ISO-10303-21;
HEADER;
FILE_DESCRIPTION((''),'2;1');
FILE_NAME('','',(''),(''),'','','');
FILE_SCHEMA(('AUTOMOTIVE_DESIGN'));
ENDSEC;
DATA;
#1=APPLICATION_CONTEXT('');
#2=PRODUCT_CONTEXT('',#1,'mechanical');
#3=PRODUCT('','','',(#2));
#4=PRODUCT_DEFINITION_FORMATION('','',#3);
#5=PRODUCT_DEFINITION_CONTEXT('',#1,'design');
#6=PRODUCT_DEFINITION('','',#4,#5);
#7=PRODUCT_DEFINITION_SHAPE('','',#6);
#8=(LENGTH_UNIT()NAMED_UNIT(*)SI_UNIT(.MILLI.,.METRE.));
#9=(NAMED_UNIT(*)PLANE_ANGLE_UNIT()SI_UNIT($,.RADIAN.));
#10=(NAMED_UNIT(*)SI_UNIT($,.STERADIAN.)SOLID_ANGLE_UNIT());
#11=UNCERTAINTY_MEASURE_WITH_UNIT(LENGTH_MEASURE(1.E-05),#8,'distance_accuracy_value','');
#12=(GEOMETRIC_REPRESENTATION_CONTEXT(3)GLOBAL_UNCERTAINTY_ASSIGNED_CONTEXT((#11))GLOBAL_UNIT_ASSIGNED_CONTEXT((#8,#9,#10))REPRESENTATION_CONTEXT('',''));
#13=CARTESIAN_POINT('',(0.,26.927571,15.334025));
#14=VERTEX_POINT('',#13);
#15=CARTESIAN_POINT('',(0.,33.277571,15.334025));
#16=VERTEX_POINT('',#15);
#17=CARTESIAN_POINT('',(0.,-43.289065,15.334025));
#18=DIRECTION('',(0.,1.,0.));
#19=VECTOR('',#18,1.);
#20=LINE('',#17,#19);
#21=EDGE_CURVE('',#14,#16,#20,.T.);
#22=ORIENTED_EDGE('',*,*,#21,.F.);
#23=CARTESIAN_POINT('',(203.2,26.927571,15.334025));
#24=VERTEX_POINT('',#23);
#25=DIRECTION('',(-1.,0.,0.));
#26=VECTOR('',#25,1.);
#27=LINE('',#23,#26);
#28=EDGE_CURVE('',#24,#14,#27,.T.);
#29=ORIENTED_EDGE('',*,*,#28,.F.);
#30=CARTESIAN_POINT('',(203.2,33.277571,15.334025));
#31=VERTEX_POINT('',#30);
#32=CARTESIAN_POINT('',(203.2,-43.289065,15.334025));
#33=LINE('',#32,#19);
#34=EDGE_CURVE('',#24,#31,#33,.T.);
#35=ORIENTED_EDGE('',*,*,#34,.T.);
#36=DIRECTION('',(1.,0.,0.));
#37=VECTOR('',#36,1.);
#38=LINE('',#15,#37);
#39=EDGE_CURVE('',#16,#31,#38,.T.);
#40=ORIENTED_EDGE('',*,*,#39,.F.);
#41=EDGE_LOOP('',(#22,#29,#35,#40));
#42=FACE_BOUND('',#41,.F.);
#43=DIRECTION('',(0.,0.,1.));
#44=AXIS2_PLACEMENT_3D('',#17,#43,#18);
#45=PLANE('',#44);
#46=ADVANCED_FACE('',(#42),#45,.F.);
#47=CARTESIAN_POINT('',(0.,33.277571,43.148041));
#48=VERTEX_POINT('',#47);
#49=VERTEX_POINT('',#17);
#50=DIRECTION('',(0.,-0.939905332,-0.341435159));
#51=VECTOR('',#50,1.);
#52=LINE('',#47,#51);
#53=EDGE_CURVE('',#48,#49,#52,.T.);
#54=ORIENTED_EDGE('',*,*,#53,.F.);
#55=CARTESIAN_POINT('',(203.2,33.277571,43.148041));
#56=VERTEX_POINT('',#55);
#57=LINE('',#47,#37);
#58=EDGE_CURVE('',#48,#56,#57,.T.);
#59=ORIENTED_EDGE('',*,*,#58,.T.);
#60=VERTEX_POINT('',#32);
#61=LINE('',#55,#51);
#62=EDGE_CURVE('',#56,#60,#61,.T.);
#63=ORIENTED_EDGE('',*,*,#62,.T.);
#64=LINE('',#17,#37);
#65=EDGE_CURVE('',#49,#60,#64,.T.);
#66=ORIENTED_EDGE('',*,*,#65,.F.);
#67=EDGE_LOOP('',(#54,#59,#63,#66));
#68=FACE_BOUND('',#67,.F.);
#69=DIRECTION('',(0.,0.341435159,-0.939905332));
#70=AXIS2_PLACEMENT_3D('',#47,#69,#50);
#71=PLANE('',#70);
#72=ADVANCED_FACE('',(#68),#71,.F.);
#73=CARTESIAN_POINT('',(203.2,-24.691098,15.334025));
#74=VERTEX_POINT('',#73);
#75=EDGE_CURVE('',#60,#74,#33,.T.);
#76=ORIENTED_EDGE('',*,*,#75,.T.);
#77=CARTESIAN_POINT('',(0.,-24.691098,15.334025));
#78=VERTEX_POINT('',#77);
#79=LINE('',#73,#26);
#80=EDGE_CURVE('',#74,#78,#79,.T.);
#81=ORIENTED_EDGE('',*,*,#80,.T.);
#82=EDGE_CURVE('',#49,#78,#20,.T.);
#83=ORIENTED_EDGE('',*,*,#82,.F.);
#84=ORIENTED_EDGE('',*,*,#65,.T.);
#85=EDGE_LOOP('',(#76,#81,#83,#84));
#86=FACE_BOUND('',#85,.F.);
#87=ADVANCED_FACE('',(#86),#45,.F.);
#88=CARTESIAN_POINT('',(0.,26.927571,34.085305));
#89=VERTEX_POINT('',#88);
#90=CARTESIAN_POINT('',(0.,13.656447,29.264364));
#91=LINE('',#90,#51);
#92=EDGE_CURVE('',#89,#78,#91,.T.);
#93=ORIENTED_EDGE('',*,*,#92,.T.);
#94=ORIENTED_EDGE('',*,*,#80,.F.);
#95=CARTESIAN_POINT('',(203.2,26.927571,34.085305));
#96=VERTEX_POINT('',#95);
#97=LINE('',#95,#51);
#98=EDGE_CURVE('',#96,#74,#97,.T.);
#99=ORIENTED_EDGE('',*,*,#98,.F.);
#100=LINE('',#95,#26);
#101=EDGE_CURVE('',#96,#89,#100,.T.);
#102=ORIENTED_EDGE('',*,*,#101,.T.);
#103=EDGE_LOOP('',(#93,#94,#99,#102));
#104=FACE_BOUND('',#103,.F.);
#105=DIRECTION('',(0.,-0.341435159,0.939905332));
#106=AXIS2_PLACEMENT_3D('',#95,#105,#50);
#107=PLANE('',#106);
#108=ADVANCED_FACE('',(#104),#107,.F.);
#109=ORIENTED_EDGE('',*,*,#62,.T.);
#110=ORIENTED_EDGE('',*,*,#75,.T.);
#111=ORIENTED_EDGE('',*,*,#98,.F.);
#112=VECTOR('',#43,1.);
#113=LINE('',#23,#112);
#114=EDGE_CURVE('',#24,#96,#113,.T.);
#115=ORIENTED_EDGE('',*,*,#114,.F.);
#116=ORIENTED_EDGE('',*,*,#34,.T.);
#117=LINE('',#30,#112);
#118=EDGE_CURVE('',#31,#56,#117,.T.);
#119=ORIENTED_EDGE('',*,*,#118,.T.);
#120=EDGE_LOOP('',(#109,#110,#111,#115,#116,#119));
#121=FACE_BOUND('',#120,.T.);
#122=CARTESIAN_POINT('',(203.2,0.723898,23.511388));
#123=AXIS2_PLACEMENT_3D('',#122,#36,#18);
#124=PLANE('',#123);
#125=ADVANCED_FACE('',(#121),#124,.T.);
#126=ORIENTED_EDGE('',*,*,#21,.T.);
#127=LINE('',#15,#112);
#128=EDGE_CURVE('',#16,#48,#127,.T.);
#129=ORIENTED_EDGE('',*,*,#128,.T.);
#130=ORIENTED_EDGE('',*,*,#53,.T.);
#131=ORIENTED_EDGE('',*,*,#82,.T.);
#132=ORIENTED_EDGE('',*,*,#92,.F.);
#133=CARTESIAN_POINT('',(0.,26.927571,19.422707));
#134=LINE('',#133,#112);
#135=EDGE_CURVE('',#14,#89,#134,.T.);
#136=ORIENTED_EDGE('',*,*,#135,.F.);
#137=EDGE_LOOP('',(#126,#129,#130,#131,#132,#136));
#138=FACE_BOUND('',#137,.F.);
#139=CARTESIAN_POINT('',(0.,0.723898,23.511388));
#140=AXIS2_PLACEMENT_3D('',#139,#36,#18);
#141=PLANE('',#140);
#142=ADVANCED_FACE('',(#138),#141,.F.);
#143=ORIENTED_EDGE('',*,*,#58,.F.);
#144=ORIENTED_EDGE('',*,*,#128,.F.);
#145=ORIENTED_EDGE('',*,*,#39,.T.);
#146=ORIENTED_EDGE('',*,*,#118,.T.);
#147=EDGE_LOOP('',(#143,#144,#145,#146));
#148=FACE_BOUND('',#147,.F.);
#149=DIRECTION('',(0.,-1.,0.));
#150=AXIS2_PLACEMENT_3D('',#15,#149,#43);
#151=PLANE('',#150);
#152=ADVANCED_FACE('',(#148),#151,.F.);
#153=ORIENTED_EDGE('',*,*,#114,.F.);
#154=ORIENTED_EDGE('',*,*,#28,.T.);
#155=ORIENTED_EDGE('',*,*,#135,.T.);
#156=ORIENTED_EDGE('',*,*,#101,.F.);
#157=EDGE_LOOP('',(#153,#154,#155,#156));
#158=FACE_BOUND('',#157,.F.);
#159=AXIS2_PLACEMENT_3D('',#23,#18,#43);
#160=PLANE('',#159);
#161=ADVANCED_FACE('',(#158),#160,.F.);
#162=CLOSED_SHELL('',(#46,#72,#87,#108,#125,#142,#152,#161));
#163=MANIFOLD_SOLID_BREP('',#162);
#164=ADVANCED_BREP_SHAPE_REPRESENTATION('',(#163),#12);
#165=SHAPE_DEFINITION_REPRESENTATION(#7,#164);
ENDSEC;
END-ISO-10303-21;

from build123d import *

# Parameters (mm, degrees)
F0_W     = 58.9387752116
F0_H     = 49.3731051683
F1_DEPTH = 134.7465757281
F2_R     = 16.9673265676
F3_DEPTH = 58.9397752116
F4_R     = 12.7
F7_DEPTH = 203.2
F9_DEPTH = 203.201


with BuildPart() as f1:
    # F0 (on Top) → F1 (new body)
    with BuildSketch(Plane.XY):
        with Locations((3.1067002565, 0.1738145947)):
            Rectangle(F0_W, F0_H)
    extrude(amount=F1_DEPTH)

    # F2 (on face) → F3 (cut, through all)
    with BuildSketch(Plane(origin=(-26.3626873493, 0, 0), x_dir=(0, -1, 0), z_dir=(-1, 0, 0))):
        with Locations((10.2675408125, 109.3456819654)):
            Circle(F2_R)
    extrude(amount=-F3_DEPTH, mode=Mode.SUBTRACT)

    # F4
    f4_edges = [f1.edges().sort_by_distance(p)[0] for p in [
        (32.576088, 0.173815, 134.746576),
    ]]
    fillet(f4_edges, radius=F4_R)


with BuildPart() as f7:
    # F6 (on Right) → F7 (new body)
    with BuildSketch(Plane.YZ):
        Polygon((33.2775712013, 15.3340250254), (33.2775712013, 43.1480407715), (-43.289065361, 15.3340250254), align=None)
    extrude(amount=F7_DEPTH)

    # F8 (on face) → F9 (cut, through all)
    with BuildSketch(Plane.YZ.offset(203.2)):
        Polygon((26.9275712013, 34.0853054408), (-24.6910978089, 15.3340250254), (26.9275712013, 15.3340250254), align=None)
    extrude(amount=-F9_DEPTH, mode=Mode.SUBTRACT)


solid = f7.part
